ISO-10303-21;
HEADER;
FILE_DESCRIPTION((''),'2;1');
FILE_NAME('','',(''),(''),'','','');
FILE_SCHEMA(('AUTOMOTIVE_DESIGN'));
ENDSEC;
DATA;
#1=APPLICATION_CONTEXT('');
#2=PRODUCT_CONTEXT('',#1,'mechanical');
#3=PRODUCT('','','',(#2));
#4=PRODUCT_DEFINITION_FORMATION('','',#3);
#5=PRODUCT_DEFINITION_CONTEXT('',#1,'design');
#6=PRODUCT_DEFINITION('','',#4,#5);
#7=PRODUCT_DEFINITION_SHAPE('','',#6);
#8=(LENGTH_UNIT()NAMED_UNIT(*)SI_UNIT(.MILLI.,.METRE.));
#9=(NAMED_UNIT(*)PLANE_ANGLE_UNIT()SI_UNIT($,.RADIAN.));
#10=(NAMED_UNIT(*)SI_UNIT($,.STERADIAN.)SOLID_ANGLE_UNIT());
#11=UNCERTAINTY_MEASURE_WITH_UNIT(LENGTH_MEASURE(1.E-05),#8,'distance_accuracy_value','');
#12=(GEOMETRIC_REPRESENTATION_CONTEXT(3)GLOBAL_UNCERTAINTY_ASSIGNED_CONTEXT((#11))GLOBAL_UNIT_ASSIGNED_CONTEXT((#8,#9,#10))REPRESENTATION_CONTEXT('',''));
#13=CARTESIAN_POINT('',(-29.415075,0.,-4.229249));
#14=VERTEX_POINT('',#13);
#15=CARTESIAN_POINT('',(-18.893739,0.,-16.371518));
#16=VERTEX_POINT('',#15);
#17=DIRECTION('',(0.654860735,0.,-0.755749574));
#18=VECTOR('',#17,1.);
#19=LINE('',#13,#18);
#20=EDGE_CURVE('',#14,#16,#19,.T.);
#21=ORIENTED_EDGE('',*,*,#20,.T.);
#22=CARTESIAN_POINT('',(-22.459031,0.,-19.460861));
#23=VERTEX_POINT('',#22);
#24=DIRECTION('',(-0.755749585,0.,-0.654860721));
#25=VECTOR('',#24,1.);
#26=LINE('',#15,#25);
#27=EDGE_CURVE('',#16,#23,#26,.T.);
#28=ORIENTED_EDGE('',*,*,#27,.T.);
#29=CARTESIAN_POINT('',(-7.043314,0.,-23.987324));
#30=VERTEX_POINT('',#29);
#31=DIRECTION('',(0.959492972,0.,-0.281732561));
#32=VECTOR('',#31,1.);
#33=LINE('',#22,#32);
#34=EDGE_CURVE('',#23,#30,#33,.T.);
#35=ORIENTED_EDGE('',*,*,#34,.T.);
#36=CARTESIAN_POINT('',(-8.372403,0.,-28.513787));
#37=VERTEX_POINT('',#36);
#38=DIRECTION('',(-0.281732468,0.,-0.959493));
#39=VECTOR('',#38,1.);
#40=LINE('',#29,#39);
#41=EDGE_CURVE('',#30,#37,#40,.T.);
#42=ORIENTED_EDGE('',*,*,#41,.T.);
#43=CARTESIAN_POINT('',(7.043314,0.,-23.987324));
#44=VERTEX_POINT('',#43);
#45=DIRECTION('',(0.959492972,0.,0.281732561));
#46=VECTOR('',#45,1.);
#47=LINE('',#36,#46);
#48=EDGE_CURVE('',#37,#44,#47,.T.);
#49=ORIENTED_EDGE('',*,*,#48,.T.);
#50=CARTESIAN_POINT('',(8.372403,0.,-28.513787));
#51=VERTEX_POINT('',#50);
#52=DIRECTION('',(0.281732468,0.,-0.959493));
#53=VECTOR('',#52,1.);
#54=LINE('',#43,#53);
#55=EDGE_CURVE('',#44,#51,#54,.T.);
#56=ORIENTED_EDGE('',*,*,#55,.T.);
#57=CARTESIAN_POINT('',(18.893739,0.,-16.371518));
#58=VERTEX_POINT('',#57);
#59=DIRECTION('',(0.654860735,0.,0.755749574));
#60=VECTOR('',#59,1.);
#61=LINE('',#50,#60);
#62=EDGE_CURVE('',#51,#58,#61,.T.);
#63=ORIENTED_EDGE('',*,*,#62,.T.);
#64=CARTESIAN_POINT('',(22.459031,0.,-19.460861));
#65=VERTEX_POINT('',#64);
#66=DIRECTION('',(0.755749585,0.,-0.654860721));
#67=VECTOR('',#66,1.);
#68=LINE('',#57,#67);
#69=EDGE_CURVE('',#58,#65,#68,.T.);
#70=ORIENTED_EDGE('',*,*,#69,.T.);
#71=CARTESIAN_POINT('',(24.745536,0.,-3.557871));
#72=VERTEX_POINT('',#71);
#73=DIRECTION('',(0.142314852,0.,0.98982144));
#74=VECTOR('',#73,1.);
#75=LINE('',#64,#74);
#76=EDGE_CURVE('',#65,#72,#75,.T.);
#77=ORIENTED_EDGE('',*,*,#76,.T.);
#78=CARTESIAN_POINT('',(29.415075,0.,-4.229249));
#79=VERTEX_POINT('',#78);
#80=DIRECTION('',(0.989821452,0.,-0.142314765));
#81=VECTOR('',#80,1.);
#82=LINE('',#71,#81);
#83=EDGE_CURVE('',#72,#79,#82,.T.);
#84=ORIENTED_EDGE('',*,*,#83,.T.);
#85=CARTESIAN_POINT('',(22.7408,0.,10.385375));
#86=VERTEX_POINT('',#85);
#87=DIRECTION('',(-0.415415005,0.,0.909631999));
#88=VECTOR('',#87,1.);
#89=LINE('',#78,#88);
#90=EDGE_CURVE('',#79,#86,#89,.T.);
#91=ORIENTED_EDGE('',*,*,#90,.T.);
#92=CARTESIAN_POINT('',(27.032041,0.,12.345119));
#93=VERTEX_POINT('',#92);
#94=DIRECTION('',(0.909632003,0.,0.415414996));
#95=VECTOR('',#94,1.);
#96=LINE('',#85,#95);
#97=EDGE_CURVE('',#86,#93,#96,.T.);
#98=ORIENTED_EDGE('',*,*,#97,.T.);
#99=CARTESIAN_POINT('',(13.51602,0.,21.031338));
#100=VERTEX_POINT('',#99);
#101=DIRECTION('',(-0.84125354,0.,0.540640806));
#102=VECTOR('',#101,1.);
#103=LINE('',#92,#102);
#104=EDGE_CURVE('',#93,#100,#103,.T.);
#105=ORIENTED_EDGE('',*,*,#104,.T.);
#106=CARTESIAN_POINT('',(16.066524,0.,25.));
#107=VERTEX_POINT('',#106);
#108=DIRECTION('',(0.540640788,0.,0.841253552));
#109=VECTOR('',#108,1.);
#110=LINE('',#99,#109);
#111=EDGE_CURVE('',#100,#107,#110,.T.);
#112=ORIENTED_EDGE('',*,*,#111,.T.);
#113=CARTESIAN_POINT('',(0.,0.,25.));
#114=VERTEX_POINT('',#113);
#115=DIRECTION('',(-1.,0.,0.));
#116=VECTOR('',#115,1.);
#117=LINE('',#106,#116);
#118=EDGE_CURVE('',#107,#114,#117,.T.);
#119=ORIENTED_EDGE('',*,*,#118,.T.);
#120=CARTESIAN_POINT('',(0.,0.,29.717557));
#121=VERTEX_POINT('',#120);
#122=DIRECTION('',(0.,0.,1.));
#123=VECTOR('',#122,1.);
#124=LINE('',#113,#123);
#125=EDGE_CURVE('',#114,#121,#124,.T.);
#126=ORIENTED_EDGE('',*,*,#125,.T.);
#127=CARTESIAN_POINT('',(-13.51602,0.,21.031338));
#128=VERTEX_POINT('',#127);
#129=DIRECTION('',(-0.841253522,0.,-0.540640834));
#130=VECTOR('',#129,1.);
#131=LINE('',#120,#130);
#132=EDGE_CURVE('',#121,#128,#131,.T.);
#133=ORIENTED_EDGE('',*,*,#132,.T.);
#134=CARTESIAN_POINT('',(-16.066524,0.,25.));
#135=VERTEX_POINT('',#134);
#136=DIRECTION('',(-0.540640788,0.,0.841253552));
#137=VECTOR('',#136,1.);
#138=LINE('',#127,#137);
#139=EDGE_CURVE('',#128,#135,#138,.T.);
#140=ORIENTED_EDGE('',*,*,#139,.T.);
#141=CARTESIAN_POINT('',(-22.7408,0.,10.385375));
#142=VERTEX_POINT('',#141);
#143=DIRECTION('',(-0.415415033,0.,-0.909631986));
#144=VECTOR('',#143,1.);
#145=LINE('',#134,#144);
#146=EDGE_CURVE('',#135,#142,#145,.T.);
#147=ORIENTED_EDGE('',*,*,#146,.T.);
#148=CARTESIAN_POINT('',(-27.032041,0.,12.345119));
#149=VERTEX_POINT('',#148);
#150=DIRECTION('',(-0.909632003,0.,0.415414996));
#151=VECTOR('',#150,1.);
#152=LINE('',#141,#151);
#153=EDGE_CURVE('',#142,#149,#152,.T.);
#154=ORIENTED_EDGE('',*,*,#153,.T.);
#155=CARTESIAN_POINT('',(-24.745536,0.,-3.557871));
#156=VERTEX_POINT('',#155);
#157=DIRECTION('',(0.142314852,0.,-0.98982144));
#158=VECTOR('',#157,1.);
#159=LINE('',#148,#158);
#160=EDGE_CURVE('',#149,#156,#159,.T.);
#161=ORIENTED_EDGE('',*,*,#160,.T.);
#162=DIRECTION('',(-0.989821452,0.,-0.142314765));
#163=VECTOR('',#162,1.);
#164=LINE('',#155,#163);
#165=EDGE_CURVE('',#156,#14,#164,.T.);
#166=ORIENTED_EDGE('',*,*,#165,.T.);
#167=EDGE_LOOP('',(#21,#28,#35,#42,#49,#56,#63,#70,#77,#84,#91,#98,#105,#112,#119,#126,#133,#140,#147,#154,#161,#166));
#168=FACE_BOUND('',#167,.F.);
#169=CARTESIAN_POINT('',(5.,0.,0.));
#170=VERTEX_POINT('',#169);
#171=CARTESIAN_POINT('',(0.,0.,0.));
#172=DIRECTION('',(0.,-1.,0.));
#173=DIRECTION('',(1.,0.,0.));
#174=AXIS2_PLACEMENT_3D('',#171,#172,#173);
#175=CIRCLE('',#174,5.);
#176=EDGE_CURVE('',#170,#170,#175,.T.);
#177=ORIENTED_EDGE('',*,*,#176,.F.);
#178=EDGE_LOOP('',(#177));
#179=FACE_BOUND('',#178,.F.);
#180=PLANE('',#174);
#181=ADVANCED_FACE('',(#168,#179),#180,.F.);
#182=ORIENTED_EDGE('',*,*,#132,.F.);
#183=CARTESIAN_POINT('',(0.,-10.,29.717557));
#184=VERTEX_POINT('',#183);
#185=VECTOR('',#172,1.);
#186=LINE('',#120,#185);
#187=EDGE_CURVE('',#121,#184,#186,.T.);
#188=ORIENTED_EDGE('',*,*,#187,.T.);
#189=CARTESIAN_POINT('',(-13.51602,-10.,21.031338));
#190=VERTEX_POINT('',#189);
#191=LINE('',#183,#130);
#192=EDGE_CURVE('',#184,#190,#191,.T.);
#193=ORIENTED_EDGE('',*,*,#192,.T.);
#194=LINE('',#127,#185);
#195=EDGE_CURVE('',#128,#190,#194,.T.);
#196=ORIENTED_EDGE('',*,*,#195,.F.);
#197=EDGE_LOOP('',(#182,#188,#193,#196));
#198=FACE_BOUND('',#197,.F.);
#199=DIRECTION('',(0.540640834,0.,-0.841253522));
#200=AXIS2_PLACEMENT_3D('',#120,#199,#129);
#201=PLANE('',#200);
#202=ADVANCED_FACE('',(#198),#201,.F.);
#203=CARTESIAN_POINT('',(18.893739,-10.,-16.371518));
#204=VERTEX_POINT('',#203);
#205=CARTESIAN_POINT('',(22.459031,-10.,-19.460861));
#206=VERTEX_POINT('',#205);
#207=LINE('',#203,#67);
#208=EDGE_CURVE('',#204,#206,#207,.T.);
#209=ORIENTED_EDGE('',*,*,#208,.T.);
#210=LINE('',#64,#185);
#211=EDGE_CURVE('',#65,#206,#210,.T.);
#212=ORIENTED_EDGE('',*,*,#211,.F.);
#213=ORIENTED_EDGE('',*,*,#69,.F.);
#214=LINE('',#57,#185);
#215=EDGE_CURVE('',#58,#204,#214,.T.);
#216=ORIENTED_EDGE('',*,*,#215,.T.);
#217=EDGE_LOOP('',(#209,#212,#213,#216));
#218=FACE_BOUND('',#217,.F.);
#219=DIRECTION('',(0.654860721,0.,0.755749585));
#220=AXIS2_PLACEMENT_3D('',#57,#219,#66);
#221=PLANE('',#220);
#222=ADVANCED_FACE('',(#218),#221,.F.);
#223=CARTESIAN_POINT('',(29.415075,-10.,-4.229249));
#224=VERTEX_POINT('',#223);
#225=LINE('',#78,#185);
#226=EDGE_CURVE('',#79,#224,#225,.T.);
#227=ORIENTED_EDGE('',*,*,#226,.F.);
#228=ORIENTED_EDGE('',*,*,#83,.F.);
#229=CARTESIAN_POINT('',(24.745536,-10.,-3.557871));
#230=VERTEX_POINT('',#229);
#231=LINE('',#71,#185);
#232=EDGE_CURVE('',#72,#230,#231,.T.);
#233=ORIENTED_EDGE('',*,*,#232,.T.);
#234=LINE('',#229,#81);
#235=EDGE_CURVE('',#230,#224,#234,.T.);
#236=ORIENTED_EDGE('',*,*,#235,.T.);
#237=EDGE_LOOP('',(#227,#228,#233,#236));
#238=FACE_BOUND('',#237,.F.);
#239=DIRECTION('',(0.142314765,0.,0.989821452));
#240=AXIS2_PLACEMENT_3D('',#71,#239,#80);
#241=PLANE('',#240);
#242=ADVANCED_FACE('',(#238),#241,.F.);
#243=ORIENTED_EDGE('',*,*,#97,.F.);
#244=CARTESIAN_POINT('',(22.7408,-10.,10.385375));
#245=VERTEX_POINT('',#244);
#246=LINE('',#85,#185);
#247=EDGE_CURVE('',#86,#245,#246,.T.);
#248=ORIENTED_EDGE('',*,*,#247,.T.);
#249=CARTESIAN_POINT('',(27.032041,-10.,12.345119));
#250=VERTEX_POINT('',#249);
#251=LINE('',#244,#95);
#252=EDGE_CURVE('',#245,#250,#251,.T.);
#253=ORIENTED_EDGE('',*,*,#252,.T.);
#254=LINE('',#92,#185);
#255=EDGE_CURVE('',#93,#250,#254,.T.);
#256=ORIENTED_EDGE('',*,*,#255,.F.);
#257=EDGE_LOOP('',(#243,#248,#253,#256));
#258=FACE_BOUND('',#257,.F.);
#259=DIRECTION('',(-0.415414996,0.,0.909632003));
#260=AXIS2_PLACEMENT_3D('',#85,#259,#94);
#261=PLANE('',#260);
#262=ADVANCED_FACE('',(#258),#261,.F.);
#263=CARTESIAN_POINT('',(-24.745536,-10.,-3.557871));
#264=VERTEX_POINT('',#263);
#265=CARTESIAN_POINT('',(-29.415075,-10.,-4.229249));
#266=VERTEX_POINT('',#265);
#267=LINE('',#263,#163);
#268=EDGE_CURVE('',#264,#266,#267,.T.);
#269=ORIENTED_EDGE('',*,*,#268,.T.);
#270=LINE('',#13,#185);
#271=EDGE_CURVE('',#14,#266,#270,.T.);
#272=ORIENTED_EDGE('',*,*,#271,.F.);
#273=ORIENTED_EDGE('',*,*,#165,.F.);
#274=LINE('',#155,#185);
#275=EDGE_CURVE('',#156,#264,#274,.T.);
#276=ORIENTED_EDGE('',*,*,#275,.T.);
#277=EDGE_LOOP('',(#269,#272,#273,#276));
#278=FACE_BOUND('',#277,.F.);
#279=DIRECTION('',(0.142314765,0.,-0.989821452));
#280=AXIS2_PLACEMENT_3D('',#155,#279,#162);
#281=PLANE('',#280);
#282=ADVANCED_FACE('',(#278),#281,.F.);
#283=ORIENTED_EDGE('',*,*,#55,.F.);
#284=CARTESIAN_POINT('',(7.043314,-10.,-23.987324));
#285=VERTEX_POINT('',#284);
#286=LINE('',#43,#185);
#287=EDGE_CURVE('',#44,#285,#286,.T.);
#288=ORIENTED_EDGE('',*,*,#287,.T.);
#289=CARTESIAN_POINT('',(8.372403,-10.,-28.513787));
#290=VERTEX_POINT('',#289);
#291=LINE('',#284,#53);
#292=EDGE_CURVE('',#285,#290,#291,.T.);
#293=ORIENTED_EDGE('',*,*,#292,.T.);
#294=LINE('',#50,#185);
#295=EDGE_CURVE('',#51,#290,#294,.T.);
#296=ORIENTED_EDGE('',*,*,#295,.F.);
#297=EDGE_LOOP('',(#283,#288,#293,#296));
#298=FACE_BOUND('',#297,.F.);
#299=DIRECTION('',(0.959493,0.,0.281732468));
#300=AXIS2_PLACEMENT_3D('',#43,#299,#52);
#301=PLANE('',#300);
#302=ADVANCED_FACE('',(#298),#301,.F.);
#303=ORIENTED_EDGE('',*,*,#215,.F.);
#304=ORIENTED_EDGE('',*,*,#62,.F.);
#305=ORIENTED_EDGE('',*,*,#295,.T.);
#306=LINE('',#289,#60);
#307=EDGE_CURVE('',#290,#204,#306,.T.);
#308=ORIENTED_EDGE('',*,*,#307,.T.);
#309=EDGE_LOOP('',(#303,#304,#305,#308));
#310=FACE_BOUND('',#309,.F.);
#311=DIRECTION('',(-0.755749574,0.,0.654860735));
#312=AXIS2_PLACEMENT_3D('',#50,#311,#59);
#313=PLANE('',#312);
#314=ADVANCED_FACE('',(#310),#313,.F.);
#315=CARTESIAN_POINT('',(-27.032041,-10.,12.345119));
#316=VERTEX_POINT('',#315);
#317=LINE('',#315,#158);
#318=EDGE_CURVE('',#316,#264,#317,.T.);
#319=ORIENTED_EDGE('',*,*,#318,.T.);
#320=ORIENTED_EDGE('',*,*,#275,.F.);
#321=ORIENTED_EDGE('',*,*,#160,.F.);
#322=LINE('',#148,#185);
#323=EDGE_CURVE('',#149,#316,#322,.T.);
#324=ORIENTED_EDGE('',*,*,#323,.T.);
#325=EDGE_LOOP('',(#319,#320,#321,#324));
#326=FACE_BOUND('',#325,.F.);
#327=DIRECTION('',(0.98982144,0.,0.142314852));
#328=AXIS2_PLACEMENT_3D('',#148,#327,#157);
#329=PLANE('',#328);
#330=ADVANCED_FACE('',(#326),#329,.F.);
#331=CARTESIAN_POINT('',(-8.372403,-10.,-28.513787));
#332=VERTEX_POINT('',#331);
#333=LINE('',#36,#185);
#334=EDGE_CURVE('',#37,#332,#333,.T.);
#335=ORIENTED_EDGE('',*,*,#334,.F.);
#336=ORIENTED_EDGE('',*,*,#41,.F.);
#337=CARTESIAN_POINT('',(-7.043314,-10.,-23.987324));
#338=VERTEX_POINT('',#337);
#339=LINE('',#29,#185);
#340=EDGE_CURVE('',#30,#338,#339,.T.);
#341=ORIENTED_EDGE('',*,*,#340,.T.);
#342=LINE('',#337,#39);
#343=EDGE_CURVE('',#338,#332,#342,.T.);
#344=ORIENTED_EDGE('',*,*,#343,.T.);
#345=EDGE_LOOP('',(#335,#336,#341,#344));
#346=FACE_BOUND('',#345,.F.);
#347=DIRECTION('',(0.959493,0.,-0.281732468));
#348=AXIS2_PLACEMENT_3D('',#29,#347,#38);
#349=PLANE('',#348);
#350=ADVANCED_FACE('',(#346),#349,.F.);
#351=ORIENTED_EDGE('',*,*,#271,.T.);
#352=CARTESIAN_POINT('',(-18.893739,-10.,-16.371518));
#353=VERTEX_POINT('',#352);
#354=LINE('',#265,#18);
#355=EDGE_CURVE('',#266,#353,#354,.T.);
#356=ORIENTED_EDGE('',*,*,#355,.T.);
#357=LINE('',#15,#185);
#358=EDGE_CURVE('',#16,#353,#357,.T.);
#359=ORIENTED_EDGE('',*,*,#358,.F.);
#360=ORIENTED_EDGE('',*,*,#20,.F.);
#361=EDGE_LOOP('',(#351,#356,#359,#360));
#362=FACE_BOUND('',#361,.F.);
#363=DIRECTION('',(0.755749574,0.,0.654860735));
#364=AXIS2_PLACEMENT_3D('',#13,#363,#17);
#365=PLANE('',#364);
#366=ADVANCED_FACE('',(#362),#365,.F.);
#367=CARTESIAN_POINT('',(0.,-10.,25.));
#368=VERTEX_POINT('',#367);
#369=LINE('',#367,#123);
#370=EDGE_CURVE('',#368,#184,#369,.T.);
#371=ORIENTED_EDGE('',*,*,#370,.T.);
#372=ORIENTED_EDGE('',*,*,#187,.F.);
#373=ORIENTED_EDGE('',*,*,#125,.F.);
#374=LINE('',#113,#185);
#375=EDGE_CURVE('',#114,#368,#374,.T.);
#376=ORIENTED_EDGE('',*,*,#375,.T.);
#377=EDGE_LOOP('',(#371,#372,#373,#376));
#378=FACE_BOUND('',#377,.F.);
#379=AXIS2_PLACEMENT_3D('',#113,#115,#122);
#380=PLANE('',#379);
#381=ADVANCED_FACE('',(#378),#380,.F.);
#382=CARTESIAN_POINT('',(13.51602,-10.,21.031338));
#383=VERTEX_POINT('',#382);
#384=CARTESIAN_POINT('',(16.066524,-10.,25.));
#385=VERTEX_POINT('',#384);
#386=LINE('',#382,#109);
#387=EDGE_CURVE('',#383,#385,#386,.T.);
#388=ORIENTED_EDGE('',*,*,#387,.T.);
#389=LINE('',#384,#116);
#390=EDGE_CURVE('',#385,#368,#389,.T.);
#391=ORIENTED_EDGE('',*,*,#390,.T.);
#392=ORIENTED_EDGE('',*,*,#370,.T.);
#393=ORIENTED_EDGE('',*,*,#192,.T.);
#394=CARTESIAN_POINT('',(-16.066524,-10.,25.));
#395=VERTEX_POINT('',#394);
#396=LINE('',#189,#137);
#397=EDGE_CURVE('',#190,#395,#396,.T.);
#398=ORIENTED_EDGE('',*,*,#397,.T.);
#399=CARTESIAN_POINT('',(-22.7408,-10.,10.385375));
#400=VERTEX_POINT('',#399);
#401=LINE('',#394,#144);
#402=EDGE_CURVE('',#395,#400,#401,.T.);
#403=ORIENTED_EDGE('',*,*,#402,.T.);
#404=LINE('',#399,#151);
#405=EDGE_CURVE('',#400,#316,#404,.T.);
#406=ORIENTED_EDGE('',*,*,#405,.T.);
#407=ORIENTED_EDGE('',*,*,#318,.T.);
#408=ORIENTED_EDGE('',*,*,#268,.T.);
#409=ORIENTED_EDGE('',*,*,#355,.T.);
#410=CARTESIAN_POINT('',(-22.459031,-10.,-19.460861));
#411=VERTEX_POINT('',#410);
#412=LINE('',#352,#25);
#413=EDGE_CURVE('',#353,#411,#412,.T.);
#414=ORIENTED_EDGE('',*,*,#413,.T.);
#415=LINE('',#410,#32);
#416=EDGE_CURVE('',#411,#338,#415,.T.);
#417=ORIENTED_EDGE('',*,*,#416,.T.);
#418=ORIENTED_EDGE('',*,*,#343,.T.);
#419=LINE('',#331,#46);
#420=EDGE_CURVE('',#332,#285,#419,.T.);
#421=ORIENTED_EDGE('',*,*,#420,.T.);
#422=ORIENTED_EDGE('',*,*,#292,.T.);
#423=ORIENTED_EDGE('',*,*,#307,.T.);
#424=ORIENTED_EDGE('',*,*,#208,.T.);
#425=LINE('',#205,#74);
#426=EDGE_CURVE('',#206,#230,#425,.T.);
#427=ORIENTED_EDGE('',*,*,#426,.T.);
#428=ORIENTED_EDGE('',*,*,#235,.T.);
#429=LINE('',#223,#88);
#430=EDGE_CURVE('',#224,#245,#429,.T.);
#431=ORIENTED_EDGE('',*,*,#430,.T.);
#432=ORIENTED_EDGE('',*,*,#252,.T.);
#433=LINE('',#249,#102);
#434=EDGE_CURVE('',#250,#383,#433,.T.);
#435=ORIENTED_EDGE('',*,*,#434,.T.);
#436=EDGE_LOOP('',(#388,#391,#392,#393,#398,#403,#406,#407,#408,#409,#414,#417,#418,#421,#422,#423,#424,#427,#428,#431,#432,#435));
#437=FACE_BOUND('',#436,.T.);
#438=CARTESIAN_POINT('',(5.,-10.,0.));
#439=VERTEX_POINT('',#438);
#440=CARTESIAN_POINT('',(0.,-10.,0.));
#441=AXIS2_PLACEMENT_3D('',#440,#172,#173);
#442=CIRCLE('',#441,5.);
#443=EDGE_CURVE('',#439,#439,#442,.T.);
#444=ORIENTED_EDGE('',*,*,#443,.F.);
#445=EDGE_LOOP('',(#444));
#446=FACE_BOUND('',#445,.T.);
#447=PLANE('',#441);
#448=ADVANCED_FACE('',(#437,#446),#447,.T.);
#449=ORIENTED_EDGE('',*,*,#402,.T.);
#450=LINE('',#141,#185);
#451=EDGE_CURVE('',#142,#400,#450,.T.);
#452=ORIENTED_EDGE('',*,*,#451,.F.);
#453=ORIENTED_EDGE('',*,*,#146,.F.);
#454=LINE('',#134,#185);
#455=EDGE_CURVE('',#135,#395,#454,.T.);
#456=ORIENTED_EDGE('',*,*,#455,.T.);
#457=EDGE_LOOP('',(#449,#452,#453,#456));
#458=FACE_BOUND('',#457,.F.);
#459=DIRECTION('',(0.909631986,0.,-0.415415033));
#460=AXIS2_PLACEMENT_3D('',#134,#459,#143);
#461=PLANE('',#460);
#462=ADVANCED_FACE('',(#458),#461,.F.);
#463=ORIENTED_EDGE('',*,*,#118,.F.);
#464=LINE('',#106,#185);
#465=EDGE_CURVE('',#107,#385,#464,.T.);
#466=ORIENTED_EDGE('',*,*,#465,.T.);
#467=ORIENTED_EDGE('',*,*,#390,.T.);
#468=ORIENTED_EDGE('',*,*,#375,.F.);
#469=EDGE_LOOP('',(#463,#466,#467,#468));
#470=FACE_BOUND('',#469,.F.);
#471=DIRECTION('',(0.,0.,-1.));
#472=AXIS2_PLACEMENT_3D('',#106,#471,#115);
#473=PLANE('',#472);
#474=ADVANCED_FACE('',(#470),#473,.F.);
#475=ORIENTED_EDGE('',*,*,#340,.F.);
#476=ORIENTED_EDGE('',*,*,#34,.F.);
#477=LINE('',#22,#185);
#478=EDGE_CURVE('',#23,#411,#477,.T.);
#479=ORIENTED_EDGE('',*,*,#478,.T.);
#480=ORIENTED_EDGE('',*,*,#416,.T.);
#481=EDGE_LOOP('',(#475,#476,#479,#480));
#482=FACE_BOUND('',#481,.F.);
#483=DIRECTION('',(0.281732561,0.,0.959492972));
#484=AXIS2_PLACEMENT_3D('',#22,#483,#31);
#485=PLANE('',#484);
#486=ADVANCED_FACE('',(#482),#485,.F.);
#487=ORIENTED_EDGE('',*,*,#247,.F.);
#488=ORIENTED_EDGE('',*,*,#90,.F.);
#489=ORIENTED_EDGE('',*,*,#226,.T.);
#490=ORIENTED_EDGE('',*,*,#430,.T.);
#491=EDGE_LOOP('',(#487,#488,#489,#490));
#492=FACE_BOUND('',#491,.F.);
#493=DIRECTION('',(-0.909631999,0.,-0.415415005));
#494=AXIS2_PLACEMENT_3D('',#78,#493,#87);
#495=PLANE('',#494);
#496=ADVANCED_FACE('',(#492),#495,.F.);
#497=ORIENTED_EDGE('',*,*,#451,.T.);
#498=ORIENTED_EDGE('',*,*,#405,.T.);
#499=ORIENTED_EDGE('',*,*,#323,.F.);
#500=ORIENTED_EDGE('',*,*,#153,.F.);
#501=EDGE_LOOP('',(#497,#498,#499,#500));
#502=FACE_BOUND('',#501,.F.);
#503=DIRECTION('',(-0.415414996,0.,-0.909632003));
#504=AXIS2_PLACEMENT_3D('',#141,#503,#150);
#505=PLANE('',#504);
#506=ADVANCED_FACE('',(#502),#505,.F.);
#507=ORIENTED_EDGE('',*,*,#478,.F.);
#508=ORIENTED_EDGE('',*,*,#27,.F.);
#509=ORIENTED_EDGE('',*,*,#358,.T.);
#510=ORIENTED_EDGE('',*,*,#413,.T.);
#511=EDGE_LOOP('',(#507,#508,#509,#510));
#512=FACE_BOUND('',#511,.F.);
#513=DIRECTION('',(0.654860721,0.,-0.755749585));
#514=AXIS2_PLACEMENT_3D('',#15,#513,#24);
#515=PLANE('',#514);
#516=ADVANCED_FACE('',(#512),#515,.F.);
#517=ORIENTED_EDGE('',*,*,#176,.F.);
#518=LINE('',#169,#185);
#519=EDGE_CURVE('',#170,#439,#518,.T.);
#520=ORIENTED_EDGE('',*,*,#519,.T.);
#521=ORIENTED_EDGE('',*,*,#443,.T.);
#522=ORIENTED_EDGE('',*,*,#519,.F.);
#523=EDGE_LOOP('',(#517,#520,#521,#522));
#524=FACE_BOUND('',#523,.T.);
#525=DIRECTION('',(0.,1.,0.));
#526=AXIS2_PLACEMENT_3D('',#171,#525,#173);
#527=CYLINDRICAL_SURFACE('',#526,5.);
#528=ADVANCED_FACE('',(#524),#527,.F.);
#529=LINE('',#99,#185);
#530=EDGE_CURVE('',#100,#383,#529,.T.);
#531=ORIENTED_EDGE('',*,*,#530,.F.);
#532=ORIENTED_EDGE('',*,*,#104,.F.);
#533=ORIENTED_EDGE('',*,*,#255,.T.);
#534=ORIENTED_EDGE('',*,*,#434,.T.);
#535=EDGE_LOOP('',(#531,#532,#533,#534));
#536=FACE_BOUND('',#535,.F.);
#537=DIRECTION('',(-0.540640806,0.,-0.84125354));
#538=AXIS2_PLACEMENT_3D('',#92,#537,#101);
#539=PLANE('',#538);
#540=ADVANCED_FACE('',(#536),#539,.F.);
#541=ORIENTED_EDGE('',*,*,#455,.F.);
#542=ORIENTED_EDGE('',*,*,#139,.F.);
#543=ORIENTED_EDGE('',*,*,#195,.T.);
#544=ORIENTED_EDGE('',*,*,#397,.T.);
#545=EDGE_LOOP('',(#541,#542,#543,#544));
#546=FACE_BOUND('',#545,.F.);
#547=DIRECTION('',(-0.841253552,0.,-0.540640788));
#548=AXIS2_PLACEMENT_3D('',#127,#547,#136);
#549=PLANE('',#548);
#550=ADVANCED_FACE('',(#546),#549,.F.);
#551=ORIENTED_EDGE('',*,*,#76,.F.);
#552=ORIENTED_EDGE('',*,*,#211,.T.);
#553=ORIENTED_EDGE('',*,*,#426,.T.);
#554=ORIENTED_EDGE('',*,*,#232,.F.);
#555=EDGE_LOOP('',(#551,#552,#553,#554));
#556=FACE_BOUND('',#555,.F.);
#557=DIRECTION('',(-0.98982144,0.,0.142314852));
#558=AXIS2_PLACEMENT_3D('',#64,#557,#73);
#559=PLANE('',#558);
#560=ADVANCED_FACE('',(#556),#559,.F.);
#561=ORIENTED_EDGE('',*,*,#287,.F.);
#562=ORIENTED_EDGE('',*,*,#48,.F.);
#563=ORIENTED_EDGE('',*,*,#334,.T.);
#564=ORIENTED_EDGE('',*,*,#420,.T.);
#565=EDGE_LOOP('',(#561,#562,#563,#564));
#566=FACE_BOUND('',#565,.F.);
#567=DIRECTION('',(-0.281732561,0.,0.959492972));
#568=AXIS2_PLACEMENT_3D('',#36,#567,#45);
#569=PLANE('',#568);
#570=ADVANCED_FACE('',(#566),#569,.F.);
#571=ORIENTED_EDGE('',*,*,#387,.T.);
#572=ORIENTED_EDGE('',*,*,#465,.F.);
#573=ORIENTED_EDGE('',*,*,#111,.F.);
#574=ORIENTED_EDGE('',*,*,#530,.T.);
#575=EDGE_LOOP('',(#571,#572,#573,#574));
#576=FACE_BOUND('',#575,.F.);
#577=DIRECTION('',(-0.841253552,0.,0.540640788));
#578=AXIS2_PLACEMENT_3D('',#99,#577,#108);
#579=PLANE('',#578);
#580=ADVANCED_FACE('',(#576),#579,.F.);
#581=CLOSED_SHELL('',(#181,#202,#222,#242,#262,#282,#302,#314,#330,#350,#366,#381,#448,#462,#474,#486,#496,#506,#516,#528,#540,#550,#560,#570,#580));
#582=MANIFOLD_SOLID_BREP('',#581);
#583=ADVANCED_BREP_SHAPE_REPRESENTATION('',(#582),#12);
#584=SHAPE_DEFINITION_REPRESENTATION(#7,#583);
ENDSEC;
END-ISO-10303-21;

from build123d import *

# Parameters (mm, degrees)
F0_R     = 5
F1_DEPTH = 10


with BuildPart() as f1:
    # F0 (on Front) → F1 (new body)
    with BuildSketch(Plane.XZ):
        Polygon((-22.7408, 10.385375), (-27.032041, 12.345119), (-24.745536, -3.557871), (-29.415075, -4.229249), (-18.893739, -16.371518), (-22.459031, -19.460861), (-7.043314, -23.987324), (-8.372403, -28.513787), (7.043314, -23.987324), (8.372403, -28.513787), (18.893739, -16.371518), (22.459031, -19.460861), (24.745536, -3.557871), (29.415075, -4.229249), (22.7408, 10.385375), (27.032041, 12.345119), (13.51602, 21.031338), (16.066524, 25), (0, 25), (0, 29.717557), (-13.51602, 21.031338), (-16.066524, 25), align=None)
        Circle(F0_R, mode=Mode.SUBTRACT)
    extrude(amount=F1_DEPTH)


solid = f1.part
